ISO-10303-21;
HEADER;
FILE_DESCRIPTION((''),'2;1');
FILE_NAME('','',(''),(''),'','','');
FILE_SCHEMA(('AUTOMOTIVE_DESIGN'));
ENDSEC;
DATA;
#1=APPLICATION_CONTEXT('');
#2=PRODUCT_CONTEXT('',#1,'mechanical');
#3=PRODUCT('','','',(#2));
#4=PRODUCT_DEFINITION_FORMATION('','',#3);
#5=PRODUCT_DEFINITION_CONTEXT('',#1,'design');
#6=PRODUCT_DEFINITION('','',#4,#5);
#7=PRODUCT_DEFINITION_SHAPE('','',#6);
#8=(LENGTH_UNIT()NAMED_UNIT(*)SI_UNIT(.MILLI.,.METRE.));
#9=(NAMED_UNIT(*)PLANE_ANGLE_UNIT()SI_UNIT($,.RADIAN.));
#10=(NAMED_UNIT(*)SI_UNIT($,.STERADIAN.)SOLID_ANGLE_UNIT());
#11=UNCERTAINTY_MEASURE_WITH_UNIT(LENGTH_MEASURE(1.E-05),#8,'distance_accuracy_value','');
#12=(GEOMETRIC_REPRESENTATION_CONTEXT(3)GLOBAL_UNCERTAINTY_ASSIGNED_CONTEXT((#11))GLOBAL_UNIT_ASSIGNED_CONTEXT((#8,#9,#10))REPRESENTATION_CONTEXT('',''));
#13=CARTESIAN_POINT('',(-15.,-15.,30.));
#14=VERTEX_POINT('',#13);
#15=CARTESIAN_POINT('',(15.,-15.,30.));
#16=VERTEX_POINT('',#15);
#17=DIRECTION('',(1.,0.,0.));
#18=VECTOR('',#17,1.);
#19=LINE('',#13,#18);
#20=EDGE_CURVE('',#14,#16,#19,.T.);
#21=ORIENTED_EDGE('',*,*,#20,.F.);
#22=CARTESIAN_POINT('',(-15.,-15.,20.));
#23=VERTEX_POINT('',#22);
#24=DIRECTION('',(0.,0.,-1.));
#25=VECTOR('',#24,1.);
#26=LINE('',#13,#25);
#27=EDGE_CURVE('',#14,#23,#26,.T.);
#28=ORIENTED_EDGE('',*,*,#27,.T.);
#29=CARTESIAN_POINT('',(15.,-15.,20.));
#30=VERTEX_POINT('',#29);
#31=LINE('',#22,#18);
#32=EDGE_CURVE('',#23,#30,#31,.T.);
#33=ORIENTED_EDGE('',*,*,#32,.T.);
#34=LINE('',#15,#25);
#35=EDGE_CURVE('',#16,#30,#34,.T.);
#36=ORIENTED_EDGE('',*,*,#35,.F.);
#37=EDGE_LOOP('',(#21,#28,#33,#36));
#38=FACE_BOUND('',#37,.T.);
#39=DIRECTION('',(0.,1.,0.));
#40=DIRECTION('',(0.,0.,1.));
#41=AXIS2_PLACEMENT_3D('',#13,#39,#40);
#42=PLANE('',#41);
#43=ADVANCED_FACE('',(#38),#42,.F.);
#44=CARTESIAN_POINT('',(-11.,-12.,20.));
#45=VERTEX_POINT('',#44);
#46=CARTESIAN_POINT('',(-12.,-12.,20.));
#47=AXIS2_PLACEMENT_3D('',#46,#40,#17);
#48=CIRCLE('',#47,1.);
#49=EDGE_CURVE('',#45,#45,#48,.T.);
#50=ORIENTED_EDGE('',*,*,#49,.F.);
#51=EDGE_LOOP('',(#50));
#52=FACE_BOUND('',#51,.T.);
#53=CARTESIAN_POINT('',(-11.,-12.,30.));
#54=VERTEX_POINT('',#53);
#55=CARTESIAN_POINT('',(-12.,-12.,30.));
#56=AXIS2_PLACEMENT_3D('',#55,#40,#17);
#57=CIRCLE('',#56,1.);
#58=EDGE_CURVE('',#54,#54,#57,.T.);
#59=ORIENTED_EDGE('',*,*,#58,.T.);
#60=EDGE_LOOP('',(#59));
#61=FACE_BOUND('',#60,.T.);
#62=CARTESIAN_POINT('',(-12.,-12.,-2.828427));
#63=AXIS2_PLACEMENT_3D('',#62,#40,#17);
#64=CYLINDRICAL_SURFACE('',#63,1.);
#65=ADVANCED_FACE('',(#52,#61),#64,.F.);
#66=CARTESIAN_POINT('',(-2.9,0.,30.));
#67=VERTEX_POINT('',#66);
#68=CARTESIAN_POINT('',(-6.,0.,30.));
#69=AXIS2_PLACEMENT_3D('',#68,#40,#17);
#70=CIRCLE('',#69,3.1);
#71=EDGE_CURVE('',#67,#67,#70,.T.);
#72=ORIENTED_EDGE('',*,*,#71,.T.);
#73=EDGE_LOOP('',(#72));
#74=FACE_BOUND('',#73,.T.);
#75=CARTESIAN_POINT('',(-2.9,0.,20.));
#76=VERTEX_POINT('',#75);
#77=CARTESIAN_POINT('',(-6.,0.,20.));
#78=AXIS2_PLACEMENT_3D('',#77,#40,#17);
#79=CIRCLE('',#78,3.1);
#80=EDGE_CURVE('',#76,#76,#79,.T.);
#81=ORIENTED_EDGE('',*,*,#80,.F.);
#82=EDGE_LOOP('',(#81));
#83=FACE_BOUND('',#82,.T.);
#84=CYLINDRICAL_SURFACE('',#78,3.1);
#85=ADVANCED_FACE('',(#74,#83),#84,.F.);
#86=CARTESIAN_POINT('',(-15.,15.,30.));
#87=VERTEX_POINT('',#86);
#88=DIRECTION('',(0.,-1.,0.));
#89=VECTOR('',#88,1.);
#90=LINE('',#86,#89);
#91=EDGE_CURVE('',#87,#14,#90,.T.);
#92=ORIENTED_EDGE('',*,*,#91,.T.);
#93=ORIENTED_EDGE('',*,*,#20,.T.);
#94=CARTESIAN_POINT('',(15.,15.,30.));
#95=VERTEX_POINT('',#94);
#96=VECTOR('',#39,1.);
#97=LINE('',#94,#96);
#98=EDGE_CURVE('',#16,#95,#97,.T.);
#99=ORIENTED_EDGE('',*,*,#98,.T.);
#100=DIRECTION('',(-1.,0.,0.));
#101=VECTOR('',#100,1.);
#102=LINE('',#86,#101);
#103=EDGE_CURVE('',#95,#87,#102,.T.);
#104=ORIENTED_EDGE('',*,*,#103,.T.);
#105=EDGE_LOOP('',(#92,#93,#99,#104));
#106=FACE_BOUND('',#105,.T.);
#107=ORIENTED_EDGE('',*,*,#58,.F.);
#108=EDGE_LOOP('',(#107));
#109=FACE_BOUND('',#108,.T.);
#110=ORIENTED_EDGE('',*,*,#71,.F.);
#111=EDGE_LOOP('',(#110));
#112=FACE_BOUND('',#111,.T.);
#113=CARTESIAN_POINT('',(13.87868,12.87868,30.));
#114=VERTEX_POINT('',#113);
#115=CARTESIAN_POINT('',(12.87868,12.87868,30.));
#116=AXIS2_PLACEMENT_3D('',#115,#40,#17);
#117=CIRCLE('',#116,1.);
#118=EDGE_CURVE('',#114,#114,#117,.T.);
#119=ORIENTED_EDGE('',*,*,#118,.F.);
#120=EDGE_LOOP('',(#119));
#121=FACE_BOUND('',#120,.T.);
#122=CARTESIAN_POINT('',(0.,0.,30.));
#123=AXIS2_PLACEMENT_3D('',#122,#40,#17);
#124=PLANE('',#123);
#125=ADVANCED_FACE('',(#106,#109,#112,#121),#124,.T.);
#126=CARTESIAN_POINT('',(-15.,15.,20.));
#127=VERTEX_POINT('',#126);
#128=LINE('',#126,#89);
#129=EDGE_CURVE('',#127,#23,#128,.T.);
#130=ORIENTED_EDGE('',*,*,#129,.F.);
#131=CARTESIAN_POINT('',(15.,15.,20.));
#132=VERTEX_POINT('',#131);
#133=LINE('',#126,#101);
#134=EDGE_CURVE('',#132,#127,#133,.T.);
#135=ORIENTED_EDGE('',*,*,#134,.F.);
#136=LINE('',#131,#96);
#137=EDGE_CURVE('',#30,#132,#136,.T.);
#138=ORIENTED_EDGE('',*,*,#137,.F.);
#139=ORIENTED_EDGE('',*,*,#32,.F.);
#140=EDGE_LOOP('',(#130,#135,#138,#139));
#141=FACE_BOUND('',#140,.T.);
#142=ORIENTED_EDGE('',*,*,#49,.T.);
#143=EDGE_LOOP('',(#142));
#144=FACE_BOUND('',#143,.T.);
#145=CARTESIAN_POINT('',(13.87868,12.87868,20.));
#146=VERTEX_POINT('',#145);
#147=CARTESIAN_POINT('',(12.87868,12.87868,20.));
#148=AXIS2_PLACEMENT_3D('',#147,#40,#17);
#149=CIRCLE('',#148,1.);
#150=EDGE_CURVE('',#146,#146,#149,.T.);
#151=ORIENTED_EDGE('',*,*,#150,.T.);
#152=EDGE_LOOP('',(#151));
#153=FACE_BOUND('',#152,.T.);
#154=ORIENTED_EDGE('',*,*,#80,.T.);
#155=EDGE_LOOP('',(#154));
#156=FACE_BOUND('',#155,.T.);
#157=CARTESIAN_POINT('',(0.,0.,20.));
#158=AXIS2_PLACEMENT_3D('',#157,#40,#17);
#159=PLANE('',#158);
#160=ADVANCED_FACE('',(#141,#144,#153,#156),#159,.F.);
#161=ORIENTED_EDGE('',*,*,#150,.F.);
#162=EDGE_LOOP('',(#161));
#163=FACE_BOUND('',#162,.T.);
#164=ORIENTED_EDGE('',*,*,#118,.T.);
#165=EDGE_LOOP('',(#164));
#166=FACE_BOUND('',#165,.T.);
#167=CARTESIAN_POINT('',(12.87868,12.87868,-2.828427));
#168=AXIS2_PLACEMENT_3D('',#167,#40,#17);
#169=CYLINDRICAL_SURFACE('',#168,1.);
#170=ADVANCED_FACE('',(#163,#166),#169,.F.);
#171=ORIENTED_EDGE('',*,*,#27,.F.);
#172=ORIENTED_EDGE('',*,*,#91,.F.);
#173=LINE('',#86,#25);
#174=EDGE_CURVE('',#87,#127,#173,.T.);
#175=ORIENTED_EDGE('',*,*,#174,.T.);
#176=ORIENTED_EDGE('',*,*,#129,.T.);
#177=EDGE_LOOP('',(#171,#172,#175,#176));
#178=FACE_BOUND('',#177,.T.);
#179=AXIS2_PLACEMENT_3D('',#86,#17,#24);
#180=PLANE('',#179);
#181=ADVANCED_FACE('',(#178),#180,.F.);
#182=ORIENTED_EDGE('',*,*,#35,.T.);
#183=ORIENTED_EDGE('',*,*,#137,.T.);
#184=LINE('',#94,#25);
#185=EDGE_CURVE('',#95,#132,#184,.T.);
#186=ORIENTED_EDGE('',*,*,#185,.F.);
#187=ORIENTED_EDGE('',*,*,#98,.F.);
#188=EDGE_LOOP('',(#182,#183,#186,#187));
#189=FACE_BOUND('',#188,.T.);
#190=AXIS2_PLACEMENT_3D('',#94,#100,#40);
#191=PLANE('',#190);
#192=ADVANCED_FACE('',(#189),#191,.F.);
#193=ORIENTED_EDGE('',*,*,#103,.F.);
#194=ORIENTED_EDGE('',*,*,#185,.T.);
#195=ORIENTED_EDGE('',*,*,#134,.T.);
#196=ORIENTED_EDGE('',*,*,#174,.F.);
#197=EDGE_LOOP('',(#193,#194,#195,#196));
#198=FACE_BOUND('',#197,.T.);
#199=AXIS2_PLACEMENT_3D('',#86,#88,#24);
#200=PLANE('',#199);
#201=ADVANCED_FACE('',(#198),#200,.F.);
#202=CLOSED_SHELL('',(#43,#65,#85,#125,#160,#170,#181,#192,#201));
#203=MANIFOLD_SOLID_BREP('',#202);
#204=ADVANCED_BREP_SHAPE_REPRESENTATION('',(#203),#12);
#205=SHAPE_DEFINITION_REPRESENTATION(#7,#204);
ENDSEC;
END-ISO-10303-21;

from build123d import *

# Parameters (mm, degrees)
SKETCH1_W             = 30
SKETCH1_H             = 30
BOSS_EXTRUDE1_DEPTH   = 10
SKETCH2_W             = 30
SKETCH2_H             = 30
SKETCH2_W_2           = 20
SKETCH2_H_2           = 20
BOSS_EXTRUDE2_DEPTH   = 10
SKETCH2_W_3           = 5
SKETCH2_H_3           = 3.748828889
BOSS_EXTRUDE2_2_DEPTH = 10
BOSS_EXTRUDE2_3_DEPTH = 10
SKETCH3_W             = 30
SKETCH3_H             = 30
BOSS_EXTRUDE3_DEPTH   = 10
SKETCH4_R             = 3.1
CUT_EXTRUDE1_DEPTH    = 10
SKETCH5_R             = 3.1
CUT_EXTRUDE2_DEPTH    = 10
CUT_EXTRUDE3_START    = -30
SKETCH8_R             = 1
CUT_EXTRUDE3_DEPTH    = 30


with BuildPart() as part:
    # Sketch1 → Boss-Extrude1 (new body)
    with BuildSketch(Plane.XY):
        Rectangle(SKETCH1_W, SKETCH1_H)
    extrude(amount=BOSS_EXTRUDE1_DEPTH)

    # Sketch5 → Cut-Extrude2 (cut)
    with BuildSketch(Plane(origin=(0, 0, 0), x_dir=(-1, 0, 0), z_dir=(0, 0, -1))):
        with Locations((-6, -0.372899474)):
            Circle(SKETCH5_R)
    extrude(amount=-CUT_EXTRUDE2_DEPTH, mode=Mode.SUBTRACT)


with BuildPart() as body_2:
    # Sketch2 → Boss-Extrude2 (new body)
    with BuildSketch(Plane.XY.offset(10)):
        Rectangle(SKETCH2_W, SKETCH2_H)
        Rectangle(SKETCH2_W_2, SKETCH2_H_2, mode=Mode.SUBTRACT)
    extrude(amount=BOSS_EXTRUDE2_DEPTH)


with BuildPart() as body_3:
    # Sketch2 → Boss-Extrude2 2 (new body)
    with BuildSketch(Plane.XY.offset(10)):
        with Locations((0, 5.374414445)):
            Rectangle(SKETCH2_W_3, SKETCH2_H_3)
    extrude(amount=BOSS_EXTRUDE2_2_DEPTH)


with BuildPart() as body_4:
    # Sketch2 → Boss-Extrude2 3 (new body)
    with BuildSketch(Plane.XY.offset(10)):
        with Locations((0, -5.374414445)):
            Rectangle(SKETCH2_W_3, SKETCH2_H_3)
    extrude(amount=BOSS_EXTRUDE2_3_DEPTH)


with BuildPart() as body_5:
    # Sketch3 → Boss-Extrude3 (new body)
    with BuildSketch(Plane.XY.offset(20)):
        Rectangle(SKETCH3_W, SKETCH3_H)
    extrude(amount=BOSS_EXTRUDE3_DEPTH)

    # Sketch4 → Cut-Extrude1 (cut)
    with BuildSketch(Plane.XY.offset(30)):
        with Locations((-6, 0)):
            Circle(SKETCH4_R)
    extrude(amount=-CUT_EXTRUDE1_DEPTH, mode=Mode.SUBTRACT)


with BuildPart() as cut_extrude3_tool:
    # Sketch8 → Cut-Extrude3 (new body)
    with BuildSketch(Plane.XY.offset(30).offset(CUT_EXTRUDE3_START)):
        with Locations((-12, -12)):
            Circle(SKETCH8_R)
        with Locations((12.878679656, 12.878679656)):
            Circle(SKETCH8_R)
    extrude(amount=CUT_EXTRUDE3_DEPTH)


with BuildPart() as part_1:
    add(part.part)

    # Cut-Extrude3: cut by cut_extrude3_tool
    add(cut_extrude3_tool.part, mode=Mode.SUBTRACT)


with BuildPart() as body_2_1:
    add(body_2.part)

    # Cut-Extrude3: cut by cut_extrude3_tool
    add(cut_extrude3_tool.part, mode=Mode.SUBTRACT)


with BuildPart() as body_5_1:
    add(body_5.part)

    # Cut-Extrude3: cut by cut_extrude3_tool
    add(cut_extrude3_tool.part, mode=Mode.SUBTRACT)


solid = body_5_1.part
